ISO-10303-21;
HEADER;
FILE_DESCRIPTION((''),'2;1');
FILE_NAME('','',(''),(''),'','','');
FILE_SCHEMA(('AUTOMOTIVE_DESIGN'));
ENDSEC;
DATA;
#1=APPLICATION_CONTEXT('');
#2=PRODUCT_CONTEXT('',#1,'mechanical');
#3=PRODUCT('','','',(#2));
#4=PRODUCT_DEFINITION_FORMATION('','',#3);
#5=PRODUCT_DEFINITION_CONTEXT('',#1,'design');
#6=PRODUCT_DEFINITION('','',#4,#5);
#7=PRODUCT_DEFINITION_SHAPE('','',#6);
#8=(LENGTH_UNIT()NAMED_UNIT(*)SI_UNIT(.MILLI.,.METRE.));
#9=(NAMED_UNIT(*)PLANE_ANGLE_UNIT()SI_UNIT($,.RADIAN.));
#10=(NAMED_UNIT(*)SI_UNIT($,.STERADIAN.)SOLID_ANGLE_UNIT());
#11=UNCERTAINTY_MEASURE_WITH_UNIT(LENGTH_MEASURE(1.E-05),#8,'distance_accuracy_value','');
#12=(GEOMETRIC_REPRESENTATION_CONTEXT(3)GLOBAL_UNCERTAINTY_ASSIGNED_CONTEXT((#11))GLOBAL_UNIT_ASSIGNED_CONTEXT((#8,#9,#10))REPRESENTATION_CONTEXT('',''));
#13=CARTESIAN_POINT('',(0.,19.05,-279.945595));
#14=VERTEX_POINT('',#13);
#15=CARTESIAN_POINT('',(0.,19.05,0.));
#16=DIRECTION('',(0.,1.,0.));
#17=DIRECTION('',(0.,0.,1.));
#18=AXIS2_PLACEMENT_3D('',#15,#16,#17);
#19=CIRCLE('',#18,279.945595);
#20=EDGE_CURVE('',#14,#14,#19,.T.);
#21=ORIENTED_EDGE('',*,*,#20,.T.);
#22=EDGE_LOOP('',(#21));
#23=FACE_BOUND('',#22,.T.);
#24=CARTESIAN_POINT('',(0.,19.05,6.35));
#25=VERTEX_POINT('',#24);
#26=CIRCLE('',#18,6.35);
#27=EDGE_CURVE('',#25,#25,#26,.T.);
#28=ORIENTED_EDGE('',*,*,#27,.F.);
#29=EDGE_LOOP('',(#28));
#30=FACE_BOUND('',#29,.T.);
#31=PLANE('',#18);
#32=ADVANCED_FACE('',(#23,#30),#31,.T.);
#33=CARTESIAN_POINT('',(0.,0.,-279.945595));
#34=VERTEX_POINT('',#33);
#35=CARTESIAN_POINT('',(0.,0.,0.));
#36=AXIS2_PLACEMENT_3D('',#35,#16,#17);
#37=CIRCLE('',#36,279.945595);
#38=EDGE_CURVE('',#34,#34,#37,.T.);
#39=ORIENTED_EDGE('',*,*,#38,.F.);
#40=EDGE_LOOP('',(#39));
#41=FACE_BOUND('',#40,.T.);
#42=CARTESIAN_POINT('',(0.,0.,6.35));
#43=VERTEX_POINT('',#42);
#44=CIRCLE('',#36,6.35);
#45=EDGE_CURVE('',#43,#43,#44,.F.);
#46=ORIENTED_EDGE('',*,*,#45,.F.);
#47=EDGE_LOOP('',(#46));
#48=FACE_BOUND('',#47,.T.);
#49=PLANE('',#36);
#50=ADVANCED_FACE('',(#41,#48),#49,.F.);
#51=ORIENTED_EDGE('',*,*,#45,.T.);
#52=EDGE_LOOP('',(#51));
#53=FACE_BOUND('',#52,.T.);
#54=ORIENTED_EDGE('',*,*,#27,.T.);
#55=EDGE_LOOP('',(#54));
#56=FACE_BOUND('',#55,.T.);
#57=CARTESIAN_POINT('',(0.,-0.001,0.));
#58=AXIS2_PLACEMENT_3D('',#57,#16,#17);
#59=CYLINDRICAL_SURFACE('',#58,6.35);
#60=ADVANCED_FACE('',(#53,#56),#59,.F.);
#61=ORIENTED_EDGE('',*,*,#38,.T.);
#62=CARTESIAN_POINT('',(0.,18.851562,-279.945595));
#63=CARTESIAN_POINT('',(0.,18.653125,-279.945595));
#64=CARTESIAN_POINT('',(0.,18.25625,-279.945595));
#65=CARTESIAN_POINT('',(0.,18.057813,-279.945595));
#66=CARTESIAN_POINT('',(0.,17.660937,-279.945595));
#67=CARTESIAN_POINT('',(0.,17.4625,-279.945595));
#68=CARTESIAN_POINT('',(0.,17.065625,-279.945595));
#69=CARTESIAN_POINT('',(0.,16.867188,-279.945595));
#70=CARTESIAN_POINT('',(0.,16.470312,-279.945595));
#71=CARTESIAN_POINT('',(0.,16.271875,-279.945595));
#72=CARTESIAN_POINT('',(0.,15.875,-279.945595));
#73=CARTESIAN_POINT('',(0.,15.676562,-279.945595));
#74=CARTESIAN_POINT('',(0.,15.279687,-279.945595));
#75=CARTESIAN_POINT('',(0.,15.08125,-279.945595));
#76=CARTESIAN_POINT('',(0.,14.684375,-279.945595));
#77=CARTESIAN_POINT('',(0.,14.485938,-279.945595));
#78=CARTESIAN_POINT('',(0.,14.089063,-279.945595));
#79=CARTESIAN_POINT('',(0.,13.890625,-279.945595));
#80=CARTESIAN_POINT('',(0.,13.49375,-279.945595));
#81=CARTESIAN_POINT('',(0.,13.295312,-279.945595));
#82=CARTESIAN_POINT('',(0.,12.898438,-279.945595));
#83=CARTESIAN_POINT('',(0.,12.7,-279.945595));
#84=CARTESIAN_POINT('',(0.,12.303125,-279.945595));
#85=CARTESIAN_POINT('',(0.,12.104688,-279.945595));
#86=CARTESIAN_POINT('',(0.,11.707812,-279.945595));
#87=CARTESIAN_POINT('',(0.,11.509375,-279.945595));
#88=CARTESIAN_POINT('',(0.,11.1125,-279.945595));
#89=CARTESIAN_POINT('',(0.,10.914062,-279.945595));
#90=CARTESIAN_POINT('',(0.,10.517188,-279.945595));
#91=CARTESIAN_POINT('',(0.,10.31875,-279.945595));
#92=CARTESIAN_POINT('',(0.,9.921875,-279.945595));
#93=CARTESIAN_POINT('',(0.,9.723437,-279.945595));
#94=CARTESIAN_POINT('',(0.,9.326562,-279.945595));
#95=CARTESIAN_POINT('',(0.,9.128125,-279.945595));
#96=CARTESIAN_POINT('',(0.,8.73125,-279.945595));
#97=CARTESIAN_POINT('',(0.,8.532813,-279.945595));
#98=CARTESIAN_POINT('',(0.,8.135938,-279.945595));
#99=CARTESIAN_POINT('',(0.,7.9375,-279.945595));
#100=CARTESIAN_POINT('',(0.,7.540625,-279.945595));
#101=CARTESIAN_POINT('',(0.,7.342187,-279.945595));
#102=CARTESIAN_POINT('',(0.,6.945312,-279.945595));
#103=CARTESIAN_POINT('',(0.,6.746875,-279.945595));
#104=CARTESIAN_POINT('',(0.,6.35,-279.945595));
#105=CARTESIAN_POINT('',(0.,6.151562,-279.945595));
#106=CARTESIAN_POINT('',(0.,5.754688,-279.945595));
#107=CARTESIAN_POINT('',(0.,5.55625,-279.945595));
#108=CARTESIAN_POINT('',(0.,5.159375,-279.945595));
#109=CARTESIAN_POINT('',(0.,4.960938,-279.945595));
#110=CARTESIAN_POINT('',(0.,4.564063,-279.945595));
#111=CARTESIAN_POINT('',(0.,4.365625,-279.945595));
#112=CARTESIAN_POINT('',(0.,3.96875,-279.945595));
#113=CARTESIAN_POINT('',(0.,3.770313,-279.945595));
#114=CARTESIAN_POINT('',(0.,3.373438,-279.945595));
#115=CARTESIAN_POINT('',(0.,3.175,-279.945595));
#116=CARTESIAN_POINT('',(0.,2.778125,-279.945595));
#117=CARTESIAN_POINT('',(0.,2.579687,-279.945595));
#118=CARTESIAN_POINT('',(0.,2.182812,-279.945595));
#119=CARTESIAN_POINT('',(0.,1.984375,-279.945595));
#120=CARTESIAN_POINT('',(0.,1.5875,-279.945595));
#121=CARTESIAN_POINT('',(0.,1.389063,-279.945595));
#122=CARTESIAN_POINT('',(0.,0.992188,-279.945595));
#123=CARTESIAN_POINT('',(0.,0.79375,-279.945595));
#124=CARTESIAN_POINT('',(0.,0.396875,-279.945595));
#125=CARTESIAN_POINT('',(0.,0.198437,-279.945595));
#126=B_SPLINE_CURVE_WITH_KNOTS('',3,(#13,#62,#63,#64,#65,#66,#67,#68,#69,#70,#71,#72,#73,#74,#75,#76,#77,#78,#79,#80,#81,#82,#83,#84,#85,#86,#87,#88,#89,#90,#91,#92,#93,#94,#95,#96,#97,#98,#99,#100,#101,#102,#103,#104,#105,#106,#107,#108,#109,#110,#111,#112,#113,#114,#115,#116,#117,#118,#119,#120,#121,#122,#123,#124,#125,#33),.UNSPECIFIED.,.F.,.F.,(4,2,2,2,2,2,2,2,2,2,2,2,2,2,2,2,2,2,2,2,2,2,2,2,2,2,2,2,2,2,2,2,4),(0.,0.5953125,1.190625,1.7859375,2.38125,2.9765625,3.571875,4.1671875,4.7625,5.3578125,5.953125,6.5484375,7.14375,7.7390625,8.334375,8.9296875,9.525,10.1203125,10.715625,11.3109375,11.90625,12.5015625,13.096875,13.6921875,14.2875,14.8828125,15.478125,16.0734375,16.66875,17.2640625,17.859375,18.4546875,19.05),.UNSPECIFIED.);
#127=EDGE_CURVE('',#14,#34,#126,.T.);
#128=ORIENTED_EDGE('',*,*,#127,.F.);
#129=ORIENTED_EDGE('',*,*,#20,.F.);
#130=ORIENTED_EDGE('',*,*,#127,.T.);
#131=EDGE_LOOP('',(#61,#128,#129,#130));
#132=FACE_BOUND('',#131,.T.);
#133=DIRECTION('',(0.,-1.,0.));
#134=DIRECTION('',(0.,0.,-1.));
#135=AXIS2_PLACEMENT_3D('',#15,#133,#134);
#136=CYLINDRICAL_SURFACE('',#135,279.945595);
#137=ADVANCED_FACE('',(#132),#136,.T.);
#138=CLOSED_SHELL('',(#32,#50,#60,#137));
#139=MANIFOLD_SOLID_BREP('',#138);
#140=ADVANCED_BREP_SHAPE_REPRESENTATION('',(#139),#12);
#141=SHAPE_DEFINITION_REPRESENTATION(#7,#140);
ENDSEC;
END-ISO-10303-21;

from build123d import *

# Parameters (mm, degrees)
BASEPLATE_R         = 279.945595429
BOSS_EXTRUDE1_DEPTH = 19.05
CUT_EXTRUDE1_REACH  = 398.361
CENTERHOLE_R        = 6.35


with BuildPart() as part:
    # BasePlate → Boss-Extrude1 (new body)
    with BuildSketch(Plane(origin=(0, 0, 0), x_dir=(1, 0, 0), z_dir=(0, 1, 0))):
        with Locations(Location((0, 0, 0), (0, 0, 90))):
            Circle(BASEPLATE_R)
    extrude(amount=BOSS_EXTRUDE1_DEPTH)

    # CenterHole → Cut-Extrude1 (cut, up to next)
    with BuildSketch(Plane(origin=(0, 19.05, 0), x_dir=(1, 0, 0), z_dir=(0, 1, 0)), mode=Mode.PRIVATE) as cut_extrude1_sk1:
        with Locations(Location((0, 0, 0), (0, 0, 270))):
            Circle(CENTERHOLE_R)
    cut_extrude1_tool1 = extrude(cut_extrude1_sk1.sketch, amount=-CUT_EXTRUDE1_REACH, mode=Mode.PRIVATE) & part.part
    add(cut_extrude1_tool1.solids().sort_by_distance((0, 19.05, 0))[0], mode=Mode.SUBTRACT)


solid = part.part
